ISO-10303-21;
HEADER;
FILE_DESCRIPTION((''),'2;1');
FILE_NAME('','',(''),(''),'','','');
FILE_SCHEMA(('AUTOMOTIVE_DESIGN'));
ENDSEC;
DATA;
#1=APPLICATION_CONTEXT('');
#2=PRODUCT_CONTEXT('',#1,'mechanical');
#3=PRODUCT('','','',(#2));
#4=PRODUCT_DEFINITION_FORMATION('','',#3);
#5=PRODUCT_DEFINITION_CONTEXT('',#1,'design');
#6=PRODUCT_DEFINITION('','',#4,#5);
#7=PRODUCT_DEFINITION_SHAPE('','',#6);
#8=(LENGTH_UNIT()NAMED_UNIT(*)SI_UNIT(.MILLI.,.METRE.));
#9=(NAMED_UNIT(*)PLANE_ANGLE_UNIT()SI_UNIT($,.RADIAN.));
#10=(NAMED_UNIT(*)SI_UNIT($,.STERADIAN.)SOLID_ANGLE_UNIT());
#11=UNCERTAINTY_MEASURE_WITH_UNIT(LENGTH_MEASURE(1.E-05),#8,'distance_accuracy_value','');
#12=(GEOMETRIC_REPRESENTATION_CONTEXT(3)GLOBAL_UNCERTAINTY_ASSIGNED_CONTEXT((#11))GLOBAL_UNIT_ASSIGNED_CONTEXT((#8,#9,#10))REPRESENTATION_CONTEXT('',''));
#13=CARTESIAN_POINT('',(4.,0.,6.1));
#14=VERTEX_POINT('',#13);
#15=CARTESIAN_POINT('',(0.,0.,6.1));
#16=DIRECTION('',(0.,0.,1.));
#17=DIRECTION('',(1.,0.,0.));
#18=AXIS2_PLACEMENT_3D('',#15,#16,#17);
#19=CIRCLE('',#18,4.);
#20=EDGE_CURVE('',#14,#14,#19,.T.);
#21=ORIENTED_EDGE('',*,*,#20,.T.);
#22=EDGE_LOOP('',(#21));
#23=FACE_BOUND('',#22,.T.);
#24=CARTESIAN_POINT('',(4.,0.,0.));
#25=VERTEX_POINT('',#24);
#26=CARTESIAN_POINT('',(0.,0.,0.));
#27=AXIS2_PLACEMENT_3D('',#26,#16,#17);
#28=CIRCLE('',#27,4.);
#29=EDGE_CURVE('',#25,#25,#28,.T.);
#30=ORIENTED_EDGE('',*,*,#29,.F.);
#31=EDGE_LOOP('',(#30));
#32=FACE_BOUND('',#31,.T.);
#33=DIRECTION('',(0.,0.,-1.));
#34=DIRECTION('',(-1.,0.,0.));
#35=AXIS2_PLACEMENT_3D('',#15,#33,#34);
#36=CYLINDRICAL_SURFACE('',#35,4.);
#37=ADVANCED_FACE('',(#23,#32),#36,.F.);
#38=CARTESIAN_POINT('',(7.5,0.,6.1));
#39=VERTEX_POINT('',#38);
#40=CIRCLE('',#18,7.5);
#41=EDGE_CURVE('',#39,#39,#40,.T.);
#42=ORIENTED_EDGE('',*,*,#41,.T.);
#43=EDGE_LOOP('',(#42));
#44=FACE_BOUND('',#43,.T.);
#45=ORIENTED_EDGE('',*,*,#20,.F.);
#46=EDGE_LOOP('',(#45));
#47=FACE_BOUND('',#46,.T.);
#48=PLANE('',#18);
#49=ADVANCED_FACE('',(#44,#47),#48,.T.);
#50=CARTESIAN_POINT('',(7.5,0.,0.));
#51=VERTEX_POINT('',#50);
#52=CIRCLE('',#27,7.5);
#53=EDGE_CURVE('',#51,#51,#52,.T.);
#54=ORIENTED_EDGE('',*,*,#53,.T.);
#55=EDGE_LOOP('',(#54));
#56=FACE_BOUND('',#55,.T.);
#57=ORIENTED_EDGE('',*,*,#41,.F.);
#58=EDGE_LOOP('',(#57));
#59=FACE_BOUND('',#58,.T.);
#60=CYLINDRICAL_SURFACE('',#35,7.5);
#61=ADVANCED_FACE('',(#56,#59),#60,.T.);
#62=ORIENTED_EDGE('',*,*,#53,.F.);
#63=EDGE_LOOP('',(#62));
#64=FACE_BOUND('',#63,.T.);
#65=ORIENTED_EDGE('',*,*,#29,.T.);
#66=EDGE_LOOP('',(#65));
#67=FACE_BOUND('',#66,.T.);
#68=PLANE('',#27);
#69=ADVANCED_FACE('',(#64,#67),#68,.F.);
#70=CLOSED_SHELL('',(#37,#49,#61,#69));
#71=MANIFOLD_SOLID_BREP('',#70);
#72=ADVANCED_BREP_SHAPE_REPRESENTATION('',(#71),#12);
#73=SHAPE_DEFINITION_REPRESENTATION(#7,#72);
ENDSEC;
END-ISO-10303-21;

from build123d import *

# Parameters (mm, degrees)
CROQUIS1_R              = 7.5
CROQUIS1_R_2            = 4
SALIENTE_EXTRUIR1_DEPTH = 6.1


with BuildPart() as part:
    # Croquis1 → Saliente-Extruir1 (new body)
    with BuildSketch(Plane.XY):
        Circle(CROQUIS1_R)
        Circle(CROQUIS1_R_2, mode=Mode.SUBTRACT)
    extrude(amount=SALIENTE_EXTRUIR1_DEPTH)


solid = part.part
